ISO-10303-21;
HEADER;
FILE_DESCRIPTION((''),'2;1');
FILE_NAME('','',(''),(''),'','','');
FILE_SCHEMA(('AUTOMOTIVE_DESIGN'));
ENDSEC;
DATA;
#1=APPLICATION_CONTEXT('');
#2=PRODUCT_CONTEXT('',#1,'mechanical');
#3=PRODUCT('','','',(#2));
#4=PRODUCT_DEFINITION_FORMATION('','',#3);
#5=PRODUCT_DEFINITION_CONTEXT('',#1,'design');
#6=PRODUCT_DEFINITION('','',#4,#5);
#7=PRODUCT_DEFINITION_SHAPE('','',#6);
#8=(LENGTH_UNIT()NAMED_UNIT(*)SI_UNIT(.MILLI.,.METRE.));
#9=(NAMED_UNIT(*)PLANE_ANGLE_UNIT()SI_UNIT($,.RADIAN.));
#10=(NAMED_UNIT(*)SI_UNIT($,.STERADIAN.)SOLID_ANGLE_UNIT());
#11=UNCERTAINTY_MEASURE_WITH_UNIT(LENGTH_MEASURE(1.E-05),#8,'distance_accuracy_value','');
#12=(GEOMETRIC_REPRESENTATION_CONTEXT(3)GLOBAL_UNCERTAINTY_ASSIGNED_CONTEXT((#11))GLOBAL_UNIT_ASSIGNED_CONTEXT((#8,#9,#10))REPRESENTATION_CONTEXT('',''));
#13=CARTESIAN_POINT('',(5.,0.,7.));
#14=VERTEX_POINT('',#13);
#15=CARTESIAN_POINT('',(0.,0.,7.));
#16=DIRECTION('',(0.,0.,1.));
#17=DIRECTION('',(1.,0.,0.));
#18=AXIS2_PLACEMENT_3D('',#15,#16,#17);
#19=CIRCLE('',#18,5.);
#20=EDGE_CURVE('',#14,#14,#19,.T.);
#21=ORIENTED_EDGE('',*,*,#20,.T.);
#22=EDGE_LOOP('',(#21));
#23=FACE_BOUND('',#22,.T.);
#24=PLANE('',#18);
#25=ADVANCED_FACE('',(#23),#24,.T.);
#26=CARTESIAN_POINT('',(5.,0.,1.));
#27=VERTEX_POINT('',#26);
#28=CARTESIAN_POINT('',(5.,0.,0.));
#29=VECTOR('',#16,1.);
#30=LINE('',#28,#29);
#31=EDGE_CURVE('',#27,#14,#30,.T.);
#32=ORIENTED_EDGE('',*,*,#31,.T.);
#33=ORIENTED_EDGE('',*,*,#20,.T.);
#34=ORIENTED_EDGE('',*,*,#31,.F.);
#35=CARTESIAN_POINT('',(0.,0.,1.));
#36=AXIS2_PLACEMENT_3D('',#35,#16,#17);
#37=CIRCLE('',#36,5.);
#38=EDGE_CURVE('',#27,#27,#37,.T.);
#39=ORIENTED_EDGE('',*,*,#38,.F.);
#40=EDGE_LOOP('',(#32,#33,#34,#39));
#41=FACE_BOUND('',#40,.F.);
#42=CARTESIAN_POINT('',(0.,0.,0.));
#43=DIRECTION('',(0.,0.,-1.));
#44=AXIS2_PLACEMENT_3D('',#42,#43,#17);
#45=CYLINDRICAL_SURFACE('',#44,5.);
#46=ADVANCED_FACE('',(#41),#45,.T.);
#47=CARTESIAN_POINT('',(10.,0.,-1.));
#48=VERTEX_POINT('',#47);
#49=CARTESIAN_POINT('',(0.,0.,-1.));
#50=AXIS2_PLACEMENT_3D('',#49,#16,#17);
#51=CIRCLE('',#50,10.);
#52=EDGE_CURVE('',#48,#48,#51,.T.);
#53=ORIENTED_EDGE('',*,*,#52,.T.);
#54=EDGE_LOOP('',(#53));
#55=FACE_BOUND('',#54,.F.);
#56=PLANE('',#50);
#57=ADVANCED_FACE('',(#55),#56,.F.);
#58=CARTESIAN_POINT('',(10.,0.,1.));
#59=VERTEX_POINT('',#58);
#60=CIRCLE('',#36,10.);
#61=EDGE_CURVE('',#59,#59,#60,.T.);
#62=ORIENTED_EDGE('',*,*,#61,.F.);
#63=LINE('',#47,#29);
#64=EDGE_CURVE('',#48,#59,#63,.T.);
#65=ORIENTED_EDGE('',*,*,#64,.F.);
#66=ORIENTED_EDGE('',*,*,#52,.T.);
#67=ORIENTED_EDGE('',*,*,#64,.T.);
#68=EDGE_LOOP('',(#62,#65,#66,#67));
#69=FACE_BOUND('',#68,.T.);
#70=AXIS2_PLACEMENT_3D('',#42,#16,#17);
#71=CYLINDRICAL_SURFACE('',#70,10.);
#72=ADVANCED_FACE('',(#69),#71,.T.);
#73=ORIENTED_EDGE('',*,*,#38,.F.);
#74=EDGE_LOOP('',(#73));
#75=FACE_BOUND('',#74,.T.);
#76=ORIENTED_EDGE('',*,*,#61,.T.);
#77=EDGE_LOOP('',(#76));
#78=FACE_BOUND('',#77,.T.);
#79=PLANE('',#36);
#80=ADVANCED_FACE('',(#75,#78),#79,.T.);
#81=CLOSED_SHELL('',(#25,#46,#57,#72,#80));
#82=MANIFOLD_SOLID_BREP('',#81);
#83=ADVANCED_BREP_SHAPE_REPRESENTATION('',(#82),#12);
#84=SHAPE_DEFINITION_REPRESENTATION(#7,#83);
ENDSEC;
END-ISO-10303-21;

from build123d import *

# Parameters (mm, degrees)
F0_R          = 10
F0_R_2        = 5
F1_DEPTH      = 1
F1_DEPTH_BACK = 1
F2_DEPTH      = 7
F2_DEPTH_BACK = 1


with BuildPart() as f1:
    # F0 (on Top) → F1 (new body, two sides)
    with BuildSketch(Plane.XY) as f1_sk:
        Circle(F0_R)
        Circle(F0_R_2, mode=Mode.SUBTRACT)
    extrude(amount=F1_DEPTH)
    extrude(f1_sk.sketch, amount=-F1_DEPTH_BACK)

    # F0 (on Top) → F2 (join, two sides)
    with BuildSketch(Plane.XY) as f2_sk:
        Circle(F0_R_2)
    extrude(amount=F2_DEPTH)
    extrude(f2_sk.sketch, amount=-F2_DEPTH_BACK)


solid = f1.part
